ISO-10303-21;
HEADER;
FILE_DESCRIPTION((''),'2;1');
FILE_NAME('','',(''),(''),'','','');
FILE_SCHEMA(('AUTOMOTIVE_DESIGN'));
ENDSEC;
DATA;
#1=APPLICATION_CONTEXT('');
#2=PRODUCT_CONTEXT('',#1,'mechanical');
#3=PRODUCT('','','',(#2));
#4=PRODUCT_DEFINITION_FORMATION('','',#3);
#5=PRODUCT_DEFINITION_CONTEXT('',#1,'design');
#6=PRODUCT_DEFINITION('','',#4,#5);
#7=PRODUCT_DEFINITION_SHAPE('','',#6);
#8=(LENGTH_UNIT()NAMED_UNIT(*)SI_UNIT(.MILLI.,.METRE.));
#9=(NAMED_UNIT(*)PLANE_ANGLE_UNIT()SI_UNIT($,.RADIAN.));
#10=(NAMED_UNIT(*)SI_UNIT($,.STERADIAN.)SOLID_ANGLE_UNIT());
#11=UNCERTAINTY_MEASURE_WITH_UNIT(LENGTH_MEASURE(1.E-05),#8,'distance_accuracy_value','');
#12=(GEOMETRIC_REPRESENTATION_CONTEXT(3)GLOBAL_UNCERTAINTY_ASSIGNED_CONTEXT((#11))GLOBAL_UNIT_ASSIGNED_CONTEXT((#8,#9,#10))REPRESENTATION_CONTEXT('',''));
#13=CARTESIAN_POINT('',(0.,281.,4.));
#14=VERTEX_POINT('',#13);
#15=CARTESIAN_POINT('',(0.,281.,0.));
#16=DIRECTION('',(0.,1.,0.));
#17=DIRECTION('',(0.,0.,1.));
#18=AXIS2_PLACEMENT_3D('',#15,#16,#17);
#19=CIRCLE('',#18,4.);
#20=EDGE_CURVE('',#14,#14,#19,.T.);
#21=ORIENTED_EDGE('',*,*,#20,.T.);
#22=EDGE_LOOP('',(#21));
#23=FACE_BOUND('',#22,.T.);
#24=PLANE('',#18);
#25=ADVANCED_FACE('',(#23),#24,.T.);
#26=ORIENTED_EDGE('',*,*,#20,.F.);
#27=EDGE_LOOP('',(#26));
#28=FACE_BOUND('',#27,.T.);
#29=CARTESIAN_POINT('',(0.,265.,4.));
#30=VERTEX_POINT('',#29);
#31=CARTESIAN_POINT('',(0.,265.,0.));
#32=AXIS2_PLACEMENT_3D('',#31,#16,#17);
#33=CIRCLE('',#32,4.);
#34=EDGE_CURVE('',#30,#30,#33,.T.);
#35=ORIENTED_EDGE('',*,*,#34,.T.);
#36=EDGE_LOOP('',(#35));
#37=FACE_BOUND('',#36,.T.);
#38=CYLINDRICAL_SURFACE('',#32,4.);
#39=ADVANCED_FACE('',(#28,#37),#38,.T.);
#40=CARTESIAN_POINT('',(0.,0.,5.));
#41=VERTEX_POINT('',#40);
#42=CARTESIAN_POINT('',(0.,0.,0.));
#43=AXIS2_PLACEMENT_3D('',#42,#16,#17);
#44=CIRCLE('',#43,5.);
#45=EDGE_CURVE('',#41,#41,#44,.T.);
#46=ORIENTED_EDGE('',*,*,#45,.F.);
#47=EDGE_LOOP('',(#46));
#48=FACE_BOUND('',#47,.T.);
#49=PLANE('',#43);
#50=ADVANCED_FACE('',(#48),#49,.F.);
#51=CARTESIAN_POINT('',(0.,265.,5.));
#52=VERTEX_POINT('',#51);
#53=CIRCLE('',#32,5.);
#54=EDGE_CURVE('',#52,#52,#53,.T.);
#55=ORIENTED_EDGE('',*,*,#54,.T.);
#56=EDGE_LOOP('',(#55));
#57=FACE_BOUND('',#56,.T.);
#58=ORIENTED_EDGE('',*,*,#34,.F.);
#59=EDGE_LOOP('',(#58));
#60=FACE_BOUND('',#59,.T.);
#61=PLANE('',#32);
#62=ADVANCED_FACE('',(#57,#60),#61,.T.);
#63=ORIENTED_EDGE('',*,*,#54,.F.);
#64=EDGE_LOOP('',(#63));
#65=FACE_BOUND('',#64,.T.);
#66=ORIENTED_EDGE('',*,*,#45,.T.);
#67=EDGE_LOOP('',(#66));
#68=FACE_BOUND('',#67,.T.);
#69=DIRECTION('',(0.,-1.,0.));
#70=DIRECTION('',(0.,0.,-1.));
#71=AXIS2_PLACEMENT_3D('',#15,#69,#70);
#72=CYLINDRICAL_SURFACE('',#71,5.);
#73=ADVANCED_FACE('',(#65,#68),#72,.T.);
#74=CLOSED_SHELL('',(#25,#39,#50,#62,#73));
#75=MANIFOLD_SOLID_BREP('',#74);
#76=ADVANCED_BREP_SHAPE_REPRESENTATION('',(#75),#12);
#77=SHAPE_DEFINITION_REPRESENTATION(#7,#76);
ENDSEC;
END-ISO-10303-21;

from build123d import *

# Parameters (mm, degrees)
SKETCH_1_R          = 5
EXTRUDE_1_DEPTH     = 281
SKETCH_2_R          = 16
SKETCH_2_R_2        = 4
CUT_EXTRUDE_1_DEPTH = 16


with BuildPart() as part:
    # 스케치1 → 보스-돌출1 (new body)
    with BuildSketch(Plane(origin=(0, 0, 0), x_dir=(1, 0, 0), z_dir=(0, 1, 0))):
        with Locations(Location((0, 0, 0), (0, 0, 270))):
            Circle(SKETCH_1_R)
    extrude(amount=EXTRUDE_1_DEPTH)

    # 스케치2 → 컷-돌출1 (cut)
    with BuildSketch(Plane(origin=(0, 281, 0), x_dir=(1, 0, 0), z_dir=(0, 1, 0))):
        Circle(SKETCH_2_R)
        with Locations(Location((0, 0, 0), (0, 0, 270))):
            Circle(SKETCH_2_R_2, mode=Mode.SUBTRACT)
    extrude(amount=-CUT_EXTRUDE_1_DEPTH, mode=Mode.SUBTRACT)


solid = part.part
